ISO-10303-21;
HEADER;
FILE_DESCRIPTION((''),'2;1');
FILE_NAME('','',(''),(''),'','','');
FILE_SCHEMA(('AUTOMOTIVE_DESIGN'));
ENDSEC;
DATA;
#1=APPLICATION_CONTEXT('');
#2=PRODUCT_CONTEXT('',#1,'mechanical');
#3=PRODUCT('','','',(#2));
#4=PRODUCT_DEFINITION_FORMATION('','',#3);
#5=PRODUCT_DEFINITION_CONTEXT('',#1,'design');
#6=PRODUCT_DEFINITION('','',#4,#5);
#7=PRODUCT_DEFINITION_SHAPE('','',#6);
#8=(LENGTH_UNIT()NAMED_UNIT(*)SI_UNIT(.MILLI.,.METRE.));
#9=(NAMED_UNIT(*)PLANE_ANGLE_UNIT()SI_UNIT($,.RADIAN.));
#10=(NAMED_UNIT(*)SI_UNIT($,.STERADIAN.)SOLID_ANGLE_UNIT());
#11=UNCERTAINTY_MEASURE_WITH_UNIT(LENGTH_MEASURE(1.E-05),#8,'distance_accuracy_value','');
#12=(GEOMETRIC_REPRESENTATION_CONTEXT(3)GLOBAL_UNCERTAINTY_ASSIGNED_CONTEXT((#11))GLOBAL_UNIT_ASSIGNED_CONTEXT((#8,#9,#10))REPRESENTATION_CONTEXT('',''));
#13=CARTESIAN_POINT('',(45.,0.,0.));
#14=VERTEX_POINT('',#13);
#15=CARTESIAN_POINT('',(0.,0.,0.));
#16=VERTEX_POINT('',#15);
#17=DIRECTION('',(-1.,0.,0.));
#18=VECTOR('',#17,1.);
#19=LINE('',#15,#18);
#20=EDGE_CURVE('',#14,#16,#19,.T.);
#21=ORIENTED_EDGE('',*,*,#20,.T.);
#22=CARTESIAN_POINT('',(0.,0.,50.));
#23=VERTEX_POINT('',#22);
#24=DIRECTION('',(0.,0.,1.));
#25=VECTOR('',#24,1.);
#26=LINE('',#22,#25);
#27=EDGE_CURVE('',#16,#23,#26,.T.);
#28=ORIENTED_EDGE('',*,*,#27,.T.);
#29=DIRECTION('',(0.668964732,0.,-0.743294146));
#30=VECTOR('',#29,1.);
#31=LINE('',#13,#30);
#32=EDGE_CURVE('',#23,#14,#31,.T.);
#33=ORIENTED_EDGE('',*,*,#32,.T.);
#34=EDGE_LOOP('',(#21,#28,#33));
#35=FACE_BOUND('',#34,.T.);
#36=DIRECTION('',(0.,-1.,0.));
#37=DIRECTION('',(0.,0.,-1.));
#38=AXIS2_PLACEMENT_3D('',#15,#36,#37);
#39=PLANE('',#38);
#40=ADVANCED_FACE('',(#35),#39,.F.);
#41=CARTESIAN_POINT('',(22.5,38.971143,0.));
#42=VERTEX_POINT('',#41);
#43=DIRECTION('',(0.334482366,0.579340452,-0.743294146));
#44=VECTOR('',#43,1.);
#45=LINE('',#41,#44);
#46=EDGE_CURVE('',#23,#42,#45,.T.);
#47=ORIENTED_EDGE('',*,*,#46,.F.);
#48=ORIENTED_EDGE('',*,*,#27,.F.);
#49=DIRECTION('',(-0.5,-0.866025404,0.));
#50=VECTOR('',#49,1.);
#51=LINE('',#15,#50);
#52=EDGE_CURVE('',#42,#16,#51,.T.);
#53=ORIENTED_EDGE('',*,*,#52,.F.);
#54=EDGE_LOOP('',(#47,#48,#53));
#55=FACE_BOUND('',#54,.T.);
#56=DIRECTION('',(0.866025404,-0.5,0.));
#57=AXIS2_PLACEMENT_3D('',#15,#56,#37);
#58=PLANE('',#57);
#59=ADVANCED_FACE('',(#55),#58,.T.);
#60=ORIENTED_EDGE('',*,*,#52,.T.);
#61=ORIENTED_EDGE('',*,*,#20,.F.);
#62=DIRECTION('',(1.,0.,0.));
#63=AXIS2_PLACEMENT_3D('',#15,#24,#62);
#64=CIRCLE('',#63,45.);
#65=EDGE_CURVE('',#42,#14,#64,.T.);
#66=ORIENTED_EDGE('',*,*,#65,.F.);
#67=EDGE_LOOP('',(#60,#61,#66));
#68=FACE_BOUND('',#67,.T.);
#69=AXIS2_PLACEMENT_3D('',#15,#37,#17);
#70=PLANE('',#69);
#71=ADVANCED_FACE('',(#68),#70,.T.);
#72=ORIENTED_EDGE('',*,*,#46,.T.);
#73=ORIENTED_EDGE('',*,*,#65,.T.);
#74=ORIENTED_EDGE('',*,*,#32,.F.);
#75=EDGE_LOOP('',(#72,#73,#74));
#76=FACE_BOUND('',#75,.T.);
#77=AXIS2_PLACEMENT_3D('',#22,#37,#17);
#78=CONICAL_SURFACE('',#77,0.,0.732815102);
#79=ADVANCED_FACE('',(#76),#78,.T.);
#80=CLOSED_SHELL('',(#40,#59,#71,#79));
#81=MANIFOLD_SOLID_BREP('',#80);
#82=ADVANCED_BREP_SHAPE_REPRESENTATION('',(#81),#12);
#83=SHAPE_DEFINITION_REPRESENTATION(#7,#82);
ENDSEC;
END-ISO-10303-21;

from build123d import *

# Parameters (mm, degrees)
REVOLVE1_ANGLE = 300


with BuildPart() as part:
    # Sketch3 → Revolve1 (revolve)
    with BuildSketch(Plane(origin=(0, 0, 0), x_dir=(1, 0, 0), z_dir=(0, 1, 0))):
        Polygon((0, 0), (45, 0), (0, -50), align=None)
    revolve(axis=Axis((0, 0, 50), (0, 0, -1)), revolution_arc=REVOLVE1_ANGLE)


solid = part.part
